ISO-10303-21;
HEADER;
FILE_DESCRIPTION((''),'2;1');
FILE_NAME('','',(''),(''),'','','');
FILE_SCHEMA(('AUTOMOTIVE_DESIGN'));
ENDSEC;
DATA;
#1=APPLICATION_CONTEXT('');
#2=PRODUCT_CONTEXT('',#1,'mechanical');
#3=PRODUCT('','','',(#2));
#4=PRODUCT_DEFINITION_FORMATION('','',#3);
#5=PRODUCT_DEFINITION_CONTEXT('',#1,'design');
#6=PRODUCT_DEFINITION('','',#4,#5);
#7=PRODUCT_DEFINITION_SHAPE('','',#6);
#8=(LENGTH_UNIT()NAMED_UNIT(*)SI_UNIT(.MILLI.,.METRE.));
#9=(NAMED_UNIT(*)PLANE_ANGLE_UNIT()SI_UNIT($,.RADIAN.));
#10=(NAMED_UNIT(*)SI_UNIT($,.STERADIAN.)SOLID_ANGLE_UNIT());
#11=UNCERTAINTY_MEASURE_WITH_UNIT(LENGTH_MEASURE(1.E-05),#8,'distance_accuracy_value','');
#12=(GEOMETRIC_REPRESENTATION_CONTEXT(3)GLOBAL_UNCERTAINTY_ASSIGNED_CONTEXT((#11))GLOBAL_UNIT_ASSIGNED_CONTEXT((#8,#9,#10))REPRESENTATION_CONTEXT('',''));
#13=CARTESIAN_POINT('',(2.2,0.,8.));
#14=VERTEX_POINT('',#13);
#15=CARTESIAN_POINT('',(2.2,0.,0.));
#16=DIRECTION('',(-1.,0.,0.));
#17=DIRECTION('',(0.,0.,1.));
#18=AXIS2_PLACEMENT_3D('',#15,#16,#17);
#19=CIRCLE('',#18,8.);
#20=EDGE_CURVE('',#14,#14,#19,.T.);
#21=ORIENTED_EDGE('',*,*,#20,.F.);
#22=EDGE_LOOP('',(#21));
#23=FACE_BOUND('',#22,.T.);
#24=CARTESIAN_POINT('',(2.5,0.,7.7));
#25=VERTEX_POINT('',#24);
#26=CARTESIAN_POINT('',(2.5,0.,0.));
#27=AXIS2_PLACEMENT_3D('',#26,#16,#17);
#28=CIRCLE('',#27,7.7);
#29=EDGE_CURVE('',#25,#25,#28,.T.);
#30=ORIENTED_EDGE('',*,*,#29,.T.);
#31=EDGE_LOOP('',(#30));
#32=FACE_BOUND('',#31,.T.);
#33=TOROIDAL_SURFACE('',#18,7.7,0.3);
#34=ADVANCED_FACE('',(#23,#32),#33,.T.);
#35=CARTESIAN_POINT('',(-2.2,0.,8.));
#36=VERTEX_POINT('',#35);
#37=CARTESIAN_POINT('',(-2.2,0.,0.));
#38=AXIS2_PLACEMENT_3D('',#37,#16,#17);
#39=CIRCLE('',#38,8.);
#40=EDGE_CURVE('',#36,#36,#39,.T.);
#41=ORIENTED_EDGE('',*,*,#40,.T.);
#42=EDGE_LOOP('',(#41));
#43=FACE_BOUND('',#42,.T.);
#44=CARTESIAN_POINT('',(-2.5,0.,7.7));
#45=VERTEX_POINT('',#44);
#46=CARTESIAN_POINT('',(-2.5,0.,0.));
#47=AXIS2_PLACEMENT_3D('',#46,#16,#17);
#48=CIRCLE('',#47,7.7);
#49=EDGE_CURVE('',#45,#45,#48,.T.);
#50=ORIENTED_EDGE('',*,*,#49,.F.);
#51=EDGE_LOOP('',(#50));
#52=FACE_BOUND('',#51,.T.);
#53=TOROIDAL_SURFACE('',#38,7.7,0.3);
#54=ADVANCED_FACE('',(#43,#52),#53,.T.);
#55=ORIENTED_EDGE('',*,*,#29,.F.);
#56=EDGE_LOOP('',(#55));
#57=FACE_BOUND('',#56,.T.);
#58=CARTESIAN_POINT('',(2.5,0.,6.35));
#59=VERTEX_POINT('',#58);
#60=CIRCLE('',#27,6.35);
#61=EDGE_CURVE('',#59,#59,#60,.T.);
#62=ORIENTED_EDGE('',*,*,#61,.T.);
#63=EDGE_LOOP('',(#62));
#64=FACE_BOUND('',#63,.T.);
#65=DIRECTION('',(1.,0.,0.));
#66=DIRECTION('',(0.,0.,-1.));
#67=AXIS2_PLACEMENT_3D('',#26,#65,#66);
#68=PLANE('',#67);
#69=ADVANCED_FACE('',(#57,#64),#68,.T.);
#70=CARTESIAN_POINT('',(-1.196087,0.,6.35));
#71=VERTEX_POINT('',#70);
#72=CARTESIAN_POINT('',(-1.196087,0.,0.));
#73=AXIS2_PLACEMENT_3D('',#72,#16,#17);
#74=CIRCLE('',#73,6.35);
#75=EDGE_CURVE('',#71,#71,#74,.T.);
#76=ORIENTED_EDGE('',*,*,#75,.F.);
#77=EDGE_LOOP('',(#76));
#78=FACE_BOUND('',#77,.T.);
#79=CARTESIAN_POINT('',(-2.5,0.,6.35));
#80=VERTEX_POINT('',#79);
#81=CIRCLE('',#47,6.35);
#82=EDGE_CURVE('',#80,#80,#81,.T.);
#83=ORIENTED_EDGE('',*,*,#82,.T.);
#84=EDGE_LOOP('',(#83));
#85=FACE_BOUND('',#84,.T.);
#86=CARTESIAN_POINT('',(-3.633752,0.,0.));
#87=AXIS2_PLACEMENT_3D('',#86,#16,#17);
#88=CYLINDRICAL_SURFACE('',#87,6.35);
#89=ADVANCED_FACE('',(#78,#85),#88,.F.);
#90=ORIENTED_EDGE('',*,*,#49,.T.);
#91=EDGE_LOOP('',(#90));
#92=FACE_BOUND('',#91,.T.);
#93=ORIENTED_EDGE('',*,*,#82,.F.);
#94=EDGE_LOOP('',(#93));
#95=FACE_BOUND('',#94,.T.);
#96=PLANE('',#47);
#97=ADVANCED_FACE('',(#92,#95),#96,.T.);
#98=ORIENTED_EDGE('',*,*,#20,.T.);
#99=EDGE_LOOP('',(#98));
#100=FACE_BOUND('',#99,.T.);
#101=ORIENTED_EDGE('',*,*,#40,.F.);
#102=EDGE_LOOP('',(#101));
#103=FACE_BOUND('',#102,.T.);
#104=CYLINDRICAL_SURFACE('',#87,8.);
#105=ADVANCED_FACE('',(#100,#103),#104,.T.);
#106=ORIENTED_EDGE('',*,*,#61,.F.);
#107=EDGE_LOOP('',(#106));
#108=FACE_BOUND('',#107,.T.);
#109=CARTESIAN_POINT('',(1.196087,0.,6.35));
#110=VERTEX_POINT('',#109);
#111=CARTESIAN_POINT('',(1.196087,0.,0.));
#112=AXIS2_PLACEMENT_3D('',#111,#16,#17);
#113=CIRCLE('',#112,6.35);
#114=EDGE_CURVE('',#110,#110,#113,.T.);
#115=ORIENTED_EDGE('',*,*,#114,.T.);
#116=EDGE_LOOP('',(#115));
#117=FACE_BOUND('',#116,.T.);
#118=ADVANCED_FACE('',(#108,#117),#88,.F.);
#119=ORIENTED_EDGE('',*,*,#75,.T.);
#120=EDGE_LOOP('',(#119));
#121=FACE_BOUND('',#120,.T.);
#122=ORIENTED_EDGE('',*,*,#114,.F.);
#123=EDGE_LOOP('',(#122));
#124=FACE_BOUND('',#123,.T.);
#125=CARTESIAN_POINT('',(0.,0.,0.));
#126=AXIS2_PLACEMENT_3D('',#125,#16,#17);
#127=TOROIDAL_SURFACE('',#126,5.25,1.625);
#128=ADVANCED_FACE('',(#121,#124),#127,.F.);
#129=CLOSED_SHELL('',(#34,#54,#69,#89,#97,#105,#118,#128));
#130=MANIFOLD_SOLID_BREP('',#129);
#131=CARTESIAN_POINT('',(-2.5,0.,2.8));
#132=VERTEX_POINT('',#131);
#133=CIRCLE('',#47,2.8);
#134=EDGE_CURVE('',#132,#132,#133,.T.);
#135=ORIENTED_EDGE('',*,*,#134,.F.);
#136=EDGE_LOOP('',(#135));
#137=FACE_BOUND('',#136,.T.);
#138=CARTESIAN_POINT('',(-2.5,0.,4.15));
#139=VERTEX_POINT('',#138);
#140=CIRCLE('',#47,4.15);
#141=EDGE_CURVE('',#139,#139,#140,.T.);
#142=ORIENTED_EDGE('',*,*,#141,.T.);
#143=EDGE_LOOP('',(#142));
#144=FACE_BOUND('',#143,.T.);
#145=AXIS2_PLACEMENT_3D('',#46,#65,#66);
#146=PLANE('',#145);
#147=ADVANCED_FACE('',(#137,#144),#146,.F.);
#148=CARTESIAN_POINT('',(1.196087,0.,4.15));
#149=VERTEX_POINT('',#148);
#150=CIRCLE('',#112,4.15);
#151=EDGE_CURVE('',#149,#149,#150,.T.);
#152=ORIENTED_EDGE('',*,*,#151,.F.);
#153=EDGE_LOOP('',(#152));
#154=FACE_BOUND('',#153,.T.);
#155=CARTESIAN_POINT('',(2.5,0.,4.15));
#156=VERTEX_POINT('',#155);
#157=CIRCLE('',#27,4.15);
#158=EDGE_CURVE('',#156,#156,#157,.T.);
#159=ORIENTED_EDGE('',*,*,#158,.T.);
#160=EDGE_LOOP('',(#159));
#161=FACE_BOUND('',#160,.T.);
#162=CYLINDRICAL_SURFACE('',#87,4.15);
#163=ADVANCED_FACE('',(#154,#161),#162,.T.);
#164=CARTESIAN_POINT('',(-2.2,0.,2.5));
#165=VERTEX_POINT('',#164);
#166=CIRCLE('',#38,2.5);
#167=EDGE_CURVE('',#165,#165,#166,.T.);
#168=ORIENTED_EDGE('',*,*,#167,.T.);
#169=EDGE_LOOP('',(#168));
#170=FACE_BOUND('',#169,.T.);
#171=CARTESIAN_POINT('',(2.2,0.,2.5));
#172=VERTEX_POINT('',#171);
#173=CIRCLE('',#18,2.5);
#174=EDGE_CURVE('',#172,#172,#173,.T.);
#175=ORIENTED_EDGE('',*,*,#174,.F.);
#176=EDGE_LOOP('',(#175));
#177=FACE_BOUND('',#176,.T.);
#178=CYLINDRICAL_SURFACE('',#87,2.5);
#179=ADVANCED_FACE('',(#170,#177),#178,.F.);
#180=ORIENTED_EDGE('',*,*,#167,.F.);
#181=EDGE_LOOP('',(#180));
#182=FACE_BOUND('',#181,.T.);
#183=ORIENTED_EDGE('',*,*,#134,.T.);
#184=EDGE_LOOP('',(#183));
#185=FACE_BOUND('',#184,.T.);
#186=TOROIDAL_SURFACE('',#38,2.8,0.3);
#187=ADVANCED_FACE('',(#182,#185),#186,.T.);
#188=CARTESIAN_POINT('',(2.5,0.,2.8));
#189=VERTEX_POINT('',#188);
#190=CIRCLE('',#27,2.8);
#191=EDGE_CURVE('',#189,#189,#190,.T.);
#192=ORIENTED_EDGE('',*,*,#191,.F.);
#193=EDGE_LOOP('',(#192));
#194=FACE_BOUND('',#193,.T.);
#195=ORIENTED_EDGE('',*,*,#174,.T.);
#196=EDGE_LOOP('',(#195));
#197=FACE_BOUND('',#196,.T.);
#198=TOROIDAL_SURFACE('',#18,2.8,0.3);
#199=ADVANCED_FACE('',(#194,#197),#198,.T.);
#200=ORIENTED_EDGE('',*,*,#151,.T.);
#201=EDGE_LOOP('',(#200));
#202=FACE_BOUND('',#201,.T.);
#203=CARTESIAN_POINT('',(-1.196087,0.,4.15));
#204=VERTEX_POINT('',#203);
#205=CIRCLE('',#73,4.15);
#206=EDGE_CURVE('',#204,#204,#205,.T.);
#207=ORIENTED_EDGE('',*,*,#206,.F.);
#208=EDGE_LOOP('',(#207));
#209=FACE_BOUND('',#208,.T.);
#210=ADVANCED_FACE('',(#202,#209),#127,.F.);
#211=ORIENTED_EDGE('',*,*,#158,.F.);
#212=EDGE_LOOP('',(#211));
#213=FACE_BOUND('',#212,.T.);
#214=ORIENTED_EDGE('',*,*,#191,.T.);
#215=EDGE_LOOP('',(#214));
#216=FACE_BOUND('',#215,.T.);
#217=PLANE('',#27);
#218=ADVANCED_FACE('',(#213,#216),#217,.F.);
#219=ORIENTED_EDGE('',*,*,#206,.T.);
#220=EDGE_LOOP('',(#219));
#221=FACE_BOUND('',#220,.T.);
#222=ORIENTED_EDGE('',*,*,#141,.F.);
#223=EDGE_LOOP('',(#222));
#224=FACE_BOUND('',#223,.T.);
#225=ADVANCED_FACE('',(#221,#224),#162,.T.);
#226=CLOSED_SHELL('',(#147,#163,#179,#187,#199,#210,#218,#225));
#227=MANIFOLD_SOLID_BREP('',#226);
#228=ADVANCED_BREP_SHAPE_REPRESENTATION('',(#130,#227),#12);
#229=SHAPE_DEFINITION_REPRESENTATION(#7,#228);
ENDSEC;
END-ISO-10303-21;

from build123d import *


with BuildPart() as part:
    # ralla → Revolve1 (revolve)
    with BuildSketch(Plane.XY, mode=Mode.PRIVATE) as revolve1_sk:
        with BuildLine():
            ThreePointArc((1.196087371, 6.35), (0, 6.875), (-1.196087371, 6.35))
            Line((-1.196087371, 6.35), (-2.5, 6.35))
            Line((-2.5, 6.35), (-2.5, 7.7))
            ThreePointArc((-2.5, 7.7), (-2.412132034, 7.912132034), (-2.2, 8))
            Line((-2.2, 8), (2.2, 8))
            ThreePointArc((2.2, 8), (2.412132034, 7.912132034), (2.5, 7.7))
            Line((2.5, 7.7), (2.5, 6.35))
            Line((2.5, 6.35), (1.196087371, 6.35))
        make_face()
        with BuildLine():
            Line((2.5, 4.15), (1.196087371, 4.15))
            ThreePointArc((1.196087371, 4.15), (0, 3.625), (-1.196087371, 4.15))
            Line((-1.196087371, 4.15), (-2.5, 4.15))
            Line((-2.5, 4.15), (-2.5, 2.8))
            ThreePointArc((-2.5, 2.8), (-2.412132034, 2.587867966), (-2.2, 2.5))
            Line((-2.2, 2.5), (2.2, 2.5))
            ThreePointArc((2.2, 2.5), (2.412132034, 2.587867966), (2.5, 2.8))
            Line((2.5, 2.8), (2.5, 4.15))
        make_face()
    revolve(revolve1_sk.sketch.rotate(Axis((-3.633751792, 0, 0), (1, 0, 0)), 90), axis=Axis((-3.633751792, 0, 0), (1, 0, 0)))


solid = part.part
